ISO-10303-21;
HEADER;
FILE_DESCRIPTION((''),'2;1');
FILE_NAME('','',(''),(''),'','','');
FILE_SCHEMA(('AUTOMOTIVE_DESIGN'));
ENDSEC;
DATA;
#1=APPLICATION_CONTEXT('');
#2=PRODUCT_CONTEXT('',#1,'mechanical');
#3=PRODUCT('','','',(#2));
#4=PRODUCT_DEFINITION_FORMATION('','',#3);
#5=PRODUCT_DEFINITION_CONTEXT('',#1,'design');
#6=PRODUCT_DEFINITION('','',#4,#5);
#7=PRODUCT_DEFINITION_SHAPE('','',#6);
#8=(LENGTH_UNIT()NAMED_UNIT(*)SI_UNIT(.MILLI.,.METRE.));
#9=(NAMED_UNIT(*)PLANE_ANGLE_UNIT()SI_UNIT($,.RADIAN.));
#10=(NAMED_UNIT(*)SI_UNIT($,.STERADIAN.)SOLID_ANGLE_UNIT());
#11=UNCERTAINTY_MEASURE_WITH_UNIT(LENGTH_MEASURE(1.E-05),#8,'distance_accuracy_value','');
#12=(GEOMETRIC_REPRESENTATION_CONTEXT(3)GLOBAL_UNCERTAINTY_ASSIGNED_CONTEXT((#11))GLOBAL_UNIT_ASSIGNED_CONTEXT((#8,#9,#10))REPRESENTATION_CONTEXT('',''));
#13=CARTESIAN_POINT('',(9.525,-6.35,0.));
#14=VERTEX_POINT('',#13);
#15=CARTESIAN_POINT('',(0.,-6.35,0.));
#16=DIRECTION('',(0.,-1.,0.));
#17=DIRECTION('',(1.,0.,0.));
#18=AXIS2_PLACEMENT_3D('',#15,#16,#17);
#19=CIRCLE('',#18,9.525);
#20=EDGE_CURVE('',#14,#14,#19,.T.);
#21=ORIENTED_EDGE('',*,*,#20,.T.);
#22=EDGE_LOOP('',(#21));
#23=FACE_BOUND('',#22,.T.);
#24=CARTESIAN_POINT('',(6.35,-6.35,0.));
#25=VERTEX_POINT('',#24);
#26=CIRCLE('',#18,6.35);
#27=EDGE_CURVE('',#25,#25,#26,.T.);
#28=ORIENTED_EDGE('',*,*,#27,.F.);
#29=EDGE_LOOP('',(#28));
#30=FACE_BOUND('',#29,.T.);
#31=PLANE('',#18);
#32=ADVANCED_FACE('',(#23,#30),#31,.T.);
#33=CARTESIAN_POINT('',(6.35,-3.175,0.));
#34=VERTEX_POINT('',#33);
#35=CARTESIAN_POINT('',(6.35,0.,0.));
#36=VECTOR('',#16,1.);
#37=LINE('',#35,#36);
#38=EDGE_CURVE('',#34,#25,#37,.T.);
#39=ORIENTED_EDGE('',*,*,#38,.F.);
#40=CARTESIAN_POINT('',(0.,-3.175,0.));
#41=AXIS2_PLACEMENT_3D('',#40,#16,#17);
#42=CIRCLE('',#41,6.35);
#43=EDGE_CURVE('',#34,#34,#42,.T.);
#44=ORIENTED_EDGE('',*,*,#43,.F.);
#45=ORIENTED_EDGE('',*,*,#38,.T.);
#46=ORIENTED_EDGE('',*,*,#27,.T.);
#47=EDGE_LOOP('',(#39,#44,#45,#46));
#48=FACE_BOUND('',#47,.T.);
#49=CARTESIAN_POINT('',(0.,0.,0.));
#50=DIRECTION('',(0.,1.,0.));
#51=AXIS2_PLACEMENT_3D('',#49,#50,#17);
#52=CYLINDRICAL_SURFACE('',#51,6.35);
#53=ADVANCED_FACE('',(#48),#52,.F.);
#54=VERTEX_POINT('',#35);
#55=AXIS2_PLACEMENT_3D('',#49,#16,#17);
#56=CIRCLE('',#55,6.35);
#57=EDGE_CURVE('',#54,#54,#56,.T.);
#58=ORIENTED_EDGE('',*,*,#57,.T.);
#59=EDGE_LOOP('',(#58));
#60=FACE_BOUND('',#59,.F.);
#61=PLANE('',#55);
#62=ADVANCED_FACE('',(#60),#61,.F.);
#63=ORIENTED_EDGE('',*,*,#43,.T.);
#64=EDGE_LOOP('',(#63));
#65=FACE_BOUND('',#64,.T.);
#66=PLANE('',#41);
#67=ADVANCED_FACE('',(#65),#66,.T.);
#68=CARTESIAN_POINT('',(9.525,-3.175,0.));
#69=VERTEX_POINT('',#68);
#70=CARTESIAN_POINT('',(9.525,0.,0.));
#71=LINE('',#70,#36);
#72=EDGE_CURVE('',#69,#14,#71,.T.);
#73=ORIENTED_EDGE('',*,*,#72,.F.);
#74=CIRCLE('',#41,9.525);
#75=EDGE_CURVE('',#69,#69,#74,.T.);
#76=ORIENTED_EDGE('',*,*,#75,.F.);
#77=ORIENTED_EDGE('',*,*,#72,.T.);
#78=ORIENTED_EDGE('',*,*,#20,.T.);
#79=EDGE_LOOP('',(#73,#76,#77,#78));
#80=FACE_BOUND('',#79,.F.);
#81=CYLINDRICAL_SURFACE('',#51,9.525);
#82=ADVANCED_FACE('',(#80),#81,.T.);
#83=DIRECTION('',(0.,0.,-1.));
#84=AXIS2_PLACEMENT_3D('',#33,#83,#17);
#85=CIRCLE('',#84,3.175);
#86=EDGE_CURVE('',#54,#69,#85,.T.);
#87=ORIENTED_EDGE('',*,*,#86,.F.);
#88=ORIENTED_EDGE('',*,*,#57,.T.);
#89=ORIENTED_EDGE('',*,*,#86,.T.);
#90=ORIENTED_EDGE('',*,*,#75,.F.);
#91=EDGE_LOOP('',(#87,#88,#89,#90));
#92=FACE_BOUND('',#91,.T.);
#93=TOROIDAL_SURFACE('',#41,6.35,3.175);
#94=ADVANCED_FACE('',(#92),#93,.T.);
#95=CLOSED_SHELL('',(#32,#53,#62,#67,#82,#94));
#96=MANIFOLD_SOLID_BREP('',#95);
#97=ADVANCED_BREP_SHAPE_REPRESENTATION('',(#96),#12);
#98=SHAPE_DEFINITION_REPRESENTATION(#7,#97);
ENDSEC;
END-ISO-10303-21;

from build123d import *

# Parameters (mm, degrees)
F0_R     = 9.525
F0_R_2   = 6.35
F1_DEPTH = 6.35
F2_DEPTH = 3.175
F3_R     = 3.175


with BuildPart() as f1:
    # F0 (on Front) → F1 (new body)
    with BuildSketch(Plane.XZ):
        Circle(F0_R)
        Circle(F0_R_2, mode=Mode.SUBTRACT)
    extrude(amount=F1_DEPTH)

    # F0 (on Front) → F2 (join)
    with BuildSketch(Plane.XZ):
        Circle(F0_R_2)
    extrude(amount=F2_DEPTH)

    # F3
    f3_edges = [f1.edges().sort_by_distance(p)[0] for p in [
        (-9.525, 0, 0),
    ]]
    fillet(f3_edges, radius=F3_R)


solid = f1.part
